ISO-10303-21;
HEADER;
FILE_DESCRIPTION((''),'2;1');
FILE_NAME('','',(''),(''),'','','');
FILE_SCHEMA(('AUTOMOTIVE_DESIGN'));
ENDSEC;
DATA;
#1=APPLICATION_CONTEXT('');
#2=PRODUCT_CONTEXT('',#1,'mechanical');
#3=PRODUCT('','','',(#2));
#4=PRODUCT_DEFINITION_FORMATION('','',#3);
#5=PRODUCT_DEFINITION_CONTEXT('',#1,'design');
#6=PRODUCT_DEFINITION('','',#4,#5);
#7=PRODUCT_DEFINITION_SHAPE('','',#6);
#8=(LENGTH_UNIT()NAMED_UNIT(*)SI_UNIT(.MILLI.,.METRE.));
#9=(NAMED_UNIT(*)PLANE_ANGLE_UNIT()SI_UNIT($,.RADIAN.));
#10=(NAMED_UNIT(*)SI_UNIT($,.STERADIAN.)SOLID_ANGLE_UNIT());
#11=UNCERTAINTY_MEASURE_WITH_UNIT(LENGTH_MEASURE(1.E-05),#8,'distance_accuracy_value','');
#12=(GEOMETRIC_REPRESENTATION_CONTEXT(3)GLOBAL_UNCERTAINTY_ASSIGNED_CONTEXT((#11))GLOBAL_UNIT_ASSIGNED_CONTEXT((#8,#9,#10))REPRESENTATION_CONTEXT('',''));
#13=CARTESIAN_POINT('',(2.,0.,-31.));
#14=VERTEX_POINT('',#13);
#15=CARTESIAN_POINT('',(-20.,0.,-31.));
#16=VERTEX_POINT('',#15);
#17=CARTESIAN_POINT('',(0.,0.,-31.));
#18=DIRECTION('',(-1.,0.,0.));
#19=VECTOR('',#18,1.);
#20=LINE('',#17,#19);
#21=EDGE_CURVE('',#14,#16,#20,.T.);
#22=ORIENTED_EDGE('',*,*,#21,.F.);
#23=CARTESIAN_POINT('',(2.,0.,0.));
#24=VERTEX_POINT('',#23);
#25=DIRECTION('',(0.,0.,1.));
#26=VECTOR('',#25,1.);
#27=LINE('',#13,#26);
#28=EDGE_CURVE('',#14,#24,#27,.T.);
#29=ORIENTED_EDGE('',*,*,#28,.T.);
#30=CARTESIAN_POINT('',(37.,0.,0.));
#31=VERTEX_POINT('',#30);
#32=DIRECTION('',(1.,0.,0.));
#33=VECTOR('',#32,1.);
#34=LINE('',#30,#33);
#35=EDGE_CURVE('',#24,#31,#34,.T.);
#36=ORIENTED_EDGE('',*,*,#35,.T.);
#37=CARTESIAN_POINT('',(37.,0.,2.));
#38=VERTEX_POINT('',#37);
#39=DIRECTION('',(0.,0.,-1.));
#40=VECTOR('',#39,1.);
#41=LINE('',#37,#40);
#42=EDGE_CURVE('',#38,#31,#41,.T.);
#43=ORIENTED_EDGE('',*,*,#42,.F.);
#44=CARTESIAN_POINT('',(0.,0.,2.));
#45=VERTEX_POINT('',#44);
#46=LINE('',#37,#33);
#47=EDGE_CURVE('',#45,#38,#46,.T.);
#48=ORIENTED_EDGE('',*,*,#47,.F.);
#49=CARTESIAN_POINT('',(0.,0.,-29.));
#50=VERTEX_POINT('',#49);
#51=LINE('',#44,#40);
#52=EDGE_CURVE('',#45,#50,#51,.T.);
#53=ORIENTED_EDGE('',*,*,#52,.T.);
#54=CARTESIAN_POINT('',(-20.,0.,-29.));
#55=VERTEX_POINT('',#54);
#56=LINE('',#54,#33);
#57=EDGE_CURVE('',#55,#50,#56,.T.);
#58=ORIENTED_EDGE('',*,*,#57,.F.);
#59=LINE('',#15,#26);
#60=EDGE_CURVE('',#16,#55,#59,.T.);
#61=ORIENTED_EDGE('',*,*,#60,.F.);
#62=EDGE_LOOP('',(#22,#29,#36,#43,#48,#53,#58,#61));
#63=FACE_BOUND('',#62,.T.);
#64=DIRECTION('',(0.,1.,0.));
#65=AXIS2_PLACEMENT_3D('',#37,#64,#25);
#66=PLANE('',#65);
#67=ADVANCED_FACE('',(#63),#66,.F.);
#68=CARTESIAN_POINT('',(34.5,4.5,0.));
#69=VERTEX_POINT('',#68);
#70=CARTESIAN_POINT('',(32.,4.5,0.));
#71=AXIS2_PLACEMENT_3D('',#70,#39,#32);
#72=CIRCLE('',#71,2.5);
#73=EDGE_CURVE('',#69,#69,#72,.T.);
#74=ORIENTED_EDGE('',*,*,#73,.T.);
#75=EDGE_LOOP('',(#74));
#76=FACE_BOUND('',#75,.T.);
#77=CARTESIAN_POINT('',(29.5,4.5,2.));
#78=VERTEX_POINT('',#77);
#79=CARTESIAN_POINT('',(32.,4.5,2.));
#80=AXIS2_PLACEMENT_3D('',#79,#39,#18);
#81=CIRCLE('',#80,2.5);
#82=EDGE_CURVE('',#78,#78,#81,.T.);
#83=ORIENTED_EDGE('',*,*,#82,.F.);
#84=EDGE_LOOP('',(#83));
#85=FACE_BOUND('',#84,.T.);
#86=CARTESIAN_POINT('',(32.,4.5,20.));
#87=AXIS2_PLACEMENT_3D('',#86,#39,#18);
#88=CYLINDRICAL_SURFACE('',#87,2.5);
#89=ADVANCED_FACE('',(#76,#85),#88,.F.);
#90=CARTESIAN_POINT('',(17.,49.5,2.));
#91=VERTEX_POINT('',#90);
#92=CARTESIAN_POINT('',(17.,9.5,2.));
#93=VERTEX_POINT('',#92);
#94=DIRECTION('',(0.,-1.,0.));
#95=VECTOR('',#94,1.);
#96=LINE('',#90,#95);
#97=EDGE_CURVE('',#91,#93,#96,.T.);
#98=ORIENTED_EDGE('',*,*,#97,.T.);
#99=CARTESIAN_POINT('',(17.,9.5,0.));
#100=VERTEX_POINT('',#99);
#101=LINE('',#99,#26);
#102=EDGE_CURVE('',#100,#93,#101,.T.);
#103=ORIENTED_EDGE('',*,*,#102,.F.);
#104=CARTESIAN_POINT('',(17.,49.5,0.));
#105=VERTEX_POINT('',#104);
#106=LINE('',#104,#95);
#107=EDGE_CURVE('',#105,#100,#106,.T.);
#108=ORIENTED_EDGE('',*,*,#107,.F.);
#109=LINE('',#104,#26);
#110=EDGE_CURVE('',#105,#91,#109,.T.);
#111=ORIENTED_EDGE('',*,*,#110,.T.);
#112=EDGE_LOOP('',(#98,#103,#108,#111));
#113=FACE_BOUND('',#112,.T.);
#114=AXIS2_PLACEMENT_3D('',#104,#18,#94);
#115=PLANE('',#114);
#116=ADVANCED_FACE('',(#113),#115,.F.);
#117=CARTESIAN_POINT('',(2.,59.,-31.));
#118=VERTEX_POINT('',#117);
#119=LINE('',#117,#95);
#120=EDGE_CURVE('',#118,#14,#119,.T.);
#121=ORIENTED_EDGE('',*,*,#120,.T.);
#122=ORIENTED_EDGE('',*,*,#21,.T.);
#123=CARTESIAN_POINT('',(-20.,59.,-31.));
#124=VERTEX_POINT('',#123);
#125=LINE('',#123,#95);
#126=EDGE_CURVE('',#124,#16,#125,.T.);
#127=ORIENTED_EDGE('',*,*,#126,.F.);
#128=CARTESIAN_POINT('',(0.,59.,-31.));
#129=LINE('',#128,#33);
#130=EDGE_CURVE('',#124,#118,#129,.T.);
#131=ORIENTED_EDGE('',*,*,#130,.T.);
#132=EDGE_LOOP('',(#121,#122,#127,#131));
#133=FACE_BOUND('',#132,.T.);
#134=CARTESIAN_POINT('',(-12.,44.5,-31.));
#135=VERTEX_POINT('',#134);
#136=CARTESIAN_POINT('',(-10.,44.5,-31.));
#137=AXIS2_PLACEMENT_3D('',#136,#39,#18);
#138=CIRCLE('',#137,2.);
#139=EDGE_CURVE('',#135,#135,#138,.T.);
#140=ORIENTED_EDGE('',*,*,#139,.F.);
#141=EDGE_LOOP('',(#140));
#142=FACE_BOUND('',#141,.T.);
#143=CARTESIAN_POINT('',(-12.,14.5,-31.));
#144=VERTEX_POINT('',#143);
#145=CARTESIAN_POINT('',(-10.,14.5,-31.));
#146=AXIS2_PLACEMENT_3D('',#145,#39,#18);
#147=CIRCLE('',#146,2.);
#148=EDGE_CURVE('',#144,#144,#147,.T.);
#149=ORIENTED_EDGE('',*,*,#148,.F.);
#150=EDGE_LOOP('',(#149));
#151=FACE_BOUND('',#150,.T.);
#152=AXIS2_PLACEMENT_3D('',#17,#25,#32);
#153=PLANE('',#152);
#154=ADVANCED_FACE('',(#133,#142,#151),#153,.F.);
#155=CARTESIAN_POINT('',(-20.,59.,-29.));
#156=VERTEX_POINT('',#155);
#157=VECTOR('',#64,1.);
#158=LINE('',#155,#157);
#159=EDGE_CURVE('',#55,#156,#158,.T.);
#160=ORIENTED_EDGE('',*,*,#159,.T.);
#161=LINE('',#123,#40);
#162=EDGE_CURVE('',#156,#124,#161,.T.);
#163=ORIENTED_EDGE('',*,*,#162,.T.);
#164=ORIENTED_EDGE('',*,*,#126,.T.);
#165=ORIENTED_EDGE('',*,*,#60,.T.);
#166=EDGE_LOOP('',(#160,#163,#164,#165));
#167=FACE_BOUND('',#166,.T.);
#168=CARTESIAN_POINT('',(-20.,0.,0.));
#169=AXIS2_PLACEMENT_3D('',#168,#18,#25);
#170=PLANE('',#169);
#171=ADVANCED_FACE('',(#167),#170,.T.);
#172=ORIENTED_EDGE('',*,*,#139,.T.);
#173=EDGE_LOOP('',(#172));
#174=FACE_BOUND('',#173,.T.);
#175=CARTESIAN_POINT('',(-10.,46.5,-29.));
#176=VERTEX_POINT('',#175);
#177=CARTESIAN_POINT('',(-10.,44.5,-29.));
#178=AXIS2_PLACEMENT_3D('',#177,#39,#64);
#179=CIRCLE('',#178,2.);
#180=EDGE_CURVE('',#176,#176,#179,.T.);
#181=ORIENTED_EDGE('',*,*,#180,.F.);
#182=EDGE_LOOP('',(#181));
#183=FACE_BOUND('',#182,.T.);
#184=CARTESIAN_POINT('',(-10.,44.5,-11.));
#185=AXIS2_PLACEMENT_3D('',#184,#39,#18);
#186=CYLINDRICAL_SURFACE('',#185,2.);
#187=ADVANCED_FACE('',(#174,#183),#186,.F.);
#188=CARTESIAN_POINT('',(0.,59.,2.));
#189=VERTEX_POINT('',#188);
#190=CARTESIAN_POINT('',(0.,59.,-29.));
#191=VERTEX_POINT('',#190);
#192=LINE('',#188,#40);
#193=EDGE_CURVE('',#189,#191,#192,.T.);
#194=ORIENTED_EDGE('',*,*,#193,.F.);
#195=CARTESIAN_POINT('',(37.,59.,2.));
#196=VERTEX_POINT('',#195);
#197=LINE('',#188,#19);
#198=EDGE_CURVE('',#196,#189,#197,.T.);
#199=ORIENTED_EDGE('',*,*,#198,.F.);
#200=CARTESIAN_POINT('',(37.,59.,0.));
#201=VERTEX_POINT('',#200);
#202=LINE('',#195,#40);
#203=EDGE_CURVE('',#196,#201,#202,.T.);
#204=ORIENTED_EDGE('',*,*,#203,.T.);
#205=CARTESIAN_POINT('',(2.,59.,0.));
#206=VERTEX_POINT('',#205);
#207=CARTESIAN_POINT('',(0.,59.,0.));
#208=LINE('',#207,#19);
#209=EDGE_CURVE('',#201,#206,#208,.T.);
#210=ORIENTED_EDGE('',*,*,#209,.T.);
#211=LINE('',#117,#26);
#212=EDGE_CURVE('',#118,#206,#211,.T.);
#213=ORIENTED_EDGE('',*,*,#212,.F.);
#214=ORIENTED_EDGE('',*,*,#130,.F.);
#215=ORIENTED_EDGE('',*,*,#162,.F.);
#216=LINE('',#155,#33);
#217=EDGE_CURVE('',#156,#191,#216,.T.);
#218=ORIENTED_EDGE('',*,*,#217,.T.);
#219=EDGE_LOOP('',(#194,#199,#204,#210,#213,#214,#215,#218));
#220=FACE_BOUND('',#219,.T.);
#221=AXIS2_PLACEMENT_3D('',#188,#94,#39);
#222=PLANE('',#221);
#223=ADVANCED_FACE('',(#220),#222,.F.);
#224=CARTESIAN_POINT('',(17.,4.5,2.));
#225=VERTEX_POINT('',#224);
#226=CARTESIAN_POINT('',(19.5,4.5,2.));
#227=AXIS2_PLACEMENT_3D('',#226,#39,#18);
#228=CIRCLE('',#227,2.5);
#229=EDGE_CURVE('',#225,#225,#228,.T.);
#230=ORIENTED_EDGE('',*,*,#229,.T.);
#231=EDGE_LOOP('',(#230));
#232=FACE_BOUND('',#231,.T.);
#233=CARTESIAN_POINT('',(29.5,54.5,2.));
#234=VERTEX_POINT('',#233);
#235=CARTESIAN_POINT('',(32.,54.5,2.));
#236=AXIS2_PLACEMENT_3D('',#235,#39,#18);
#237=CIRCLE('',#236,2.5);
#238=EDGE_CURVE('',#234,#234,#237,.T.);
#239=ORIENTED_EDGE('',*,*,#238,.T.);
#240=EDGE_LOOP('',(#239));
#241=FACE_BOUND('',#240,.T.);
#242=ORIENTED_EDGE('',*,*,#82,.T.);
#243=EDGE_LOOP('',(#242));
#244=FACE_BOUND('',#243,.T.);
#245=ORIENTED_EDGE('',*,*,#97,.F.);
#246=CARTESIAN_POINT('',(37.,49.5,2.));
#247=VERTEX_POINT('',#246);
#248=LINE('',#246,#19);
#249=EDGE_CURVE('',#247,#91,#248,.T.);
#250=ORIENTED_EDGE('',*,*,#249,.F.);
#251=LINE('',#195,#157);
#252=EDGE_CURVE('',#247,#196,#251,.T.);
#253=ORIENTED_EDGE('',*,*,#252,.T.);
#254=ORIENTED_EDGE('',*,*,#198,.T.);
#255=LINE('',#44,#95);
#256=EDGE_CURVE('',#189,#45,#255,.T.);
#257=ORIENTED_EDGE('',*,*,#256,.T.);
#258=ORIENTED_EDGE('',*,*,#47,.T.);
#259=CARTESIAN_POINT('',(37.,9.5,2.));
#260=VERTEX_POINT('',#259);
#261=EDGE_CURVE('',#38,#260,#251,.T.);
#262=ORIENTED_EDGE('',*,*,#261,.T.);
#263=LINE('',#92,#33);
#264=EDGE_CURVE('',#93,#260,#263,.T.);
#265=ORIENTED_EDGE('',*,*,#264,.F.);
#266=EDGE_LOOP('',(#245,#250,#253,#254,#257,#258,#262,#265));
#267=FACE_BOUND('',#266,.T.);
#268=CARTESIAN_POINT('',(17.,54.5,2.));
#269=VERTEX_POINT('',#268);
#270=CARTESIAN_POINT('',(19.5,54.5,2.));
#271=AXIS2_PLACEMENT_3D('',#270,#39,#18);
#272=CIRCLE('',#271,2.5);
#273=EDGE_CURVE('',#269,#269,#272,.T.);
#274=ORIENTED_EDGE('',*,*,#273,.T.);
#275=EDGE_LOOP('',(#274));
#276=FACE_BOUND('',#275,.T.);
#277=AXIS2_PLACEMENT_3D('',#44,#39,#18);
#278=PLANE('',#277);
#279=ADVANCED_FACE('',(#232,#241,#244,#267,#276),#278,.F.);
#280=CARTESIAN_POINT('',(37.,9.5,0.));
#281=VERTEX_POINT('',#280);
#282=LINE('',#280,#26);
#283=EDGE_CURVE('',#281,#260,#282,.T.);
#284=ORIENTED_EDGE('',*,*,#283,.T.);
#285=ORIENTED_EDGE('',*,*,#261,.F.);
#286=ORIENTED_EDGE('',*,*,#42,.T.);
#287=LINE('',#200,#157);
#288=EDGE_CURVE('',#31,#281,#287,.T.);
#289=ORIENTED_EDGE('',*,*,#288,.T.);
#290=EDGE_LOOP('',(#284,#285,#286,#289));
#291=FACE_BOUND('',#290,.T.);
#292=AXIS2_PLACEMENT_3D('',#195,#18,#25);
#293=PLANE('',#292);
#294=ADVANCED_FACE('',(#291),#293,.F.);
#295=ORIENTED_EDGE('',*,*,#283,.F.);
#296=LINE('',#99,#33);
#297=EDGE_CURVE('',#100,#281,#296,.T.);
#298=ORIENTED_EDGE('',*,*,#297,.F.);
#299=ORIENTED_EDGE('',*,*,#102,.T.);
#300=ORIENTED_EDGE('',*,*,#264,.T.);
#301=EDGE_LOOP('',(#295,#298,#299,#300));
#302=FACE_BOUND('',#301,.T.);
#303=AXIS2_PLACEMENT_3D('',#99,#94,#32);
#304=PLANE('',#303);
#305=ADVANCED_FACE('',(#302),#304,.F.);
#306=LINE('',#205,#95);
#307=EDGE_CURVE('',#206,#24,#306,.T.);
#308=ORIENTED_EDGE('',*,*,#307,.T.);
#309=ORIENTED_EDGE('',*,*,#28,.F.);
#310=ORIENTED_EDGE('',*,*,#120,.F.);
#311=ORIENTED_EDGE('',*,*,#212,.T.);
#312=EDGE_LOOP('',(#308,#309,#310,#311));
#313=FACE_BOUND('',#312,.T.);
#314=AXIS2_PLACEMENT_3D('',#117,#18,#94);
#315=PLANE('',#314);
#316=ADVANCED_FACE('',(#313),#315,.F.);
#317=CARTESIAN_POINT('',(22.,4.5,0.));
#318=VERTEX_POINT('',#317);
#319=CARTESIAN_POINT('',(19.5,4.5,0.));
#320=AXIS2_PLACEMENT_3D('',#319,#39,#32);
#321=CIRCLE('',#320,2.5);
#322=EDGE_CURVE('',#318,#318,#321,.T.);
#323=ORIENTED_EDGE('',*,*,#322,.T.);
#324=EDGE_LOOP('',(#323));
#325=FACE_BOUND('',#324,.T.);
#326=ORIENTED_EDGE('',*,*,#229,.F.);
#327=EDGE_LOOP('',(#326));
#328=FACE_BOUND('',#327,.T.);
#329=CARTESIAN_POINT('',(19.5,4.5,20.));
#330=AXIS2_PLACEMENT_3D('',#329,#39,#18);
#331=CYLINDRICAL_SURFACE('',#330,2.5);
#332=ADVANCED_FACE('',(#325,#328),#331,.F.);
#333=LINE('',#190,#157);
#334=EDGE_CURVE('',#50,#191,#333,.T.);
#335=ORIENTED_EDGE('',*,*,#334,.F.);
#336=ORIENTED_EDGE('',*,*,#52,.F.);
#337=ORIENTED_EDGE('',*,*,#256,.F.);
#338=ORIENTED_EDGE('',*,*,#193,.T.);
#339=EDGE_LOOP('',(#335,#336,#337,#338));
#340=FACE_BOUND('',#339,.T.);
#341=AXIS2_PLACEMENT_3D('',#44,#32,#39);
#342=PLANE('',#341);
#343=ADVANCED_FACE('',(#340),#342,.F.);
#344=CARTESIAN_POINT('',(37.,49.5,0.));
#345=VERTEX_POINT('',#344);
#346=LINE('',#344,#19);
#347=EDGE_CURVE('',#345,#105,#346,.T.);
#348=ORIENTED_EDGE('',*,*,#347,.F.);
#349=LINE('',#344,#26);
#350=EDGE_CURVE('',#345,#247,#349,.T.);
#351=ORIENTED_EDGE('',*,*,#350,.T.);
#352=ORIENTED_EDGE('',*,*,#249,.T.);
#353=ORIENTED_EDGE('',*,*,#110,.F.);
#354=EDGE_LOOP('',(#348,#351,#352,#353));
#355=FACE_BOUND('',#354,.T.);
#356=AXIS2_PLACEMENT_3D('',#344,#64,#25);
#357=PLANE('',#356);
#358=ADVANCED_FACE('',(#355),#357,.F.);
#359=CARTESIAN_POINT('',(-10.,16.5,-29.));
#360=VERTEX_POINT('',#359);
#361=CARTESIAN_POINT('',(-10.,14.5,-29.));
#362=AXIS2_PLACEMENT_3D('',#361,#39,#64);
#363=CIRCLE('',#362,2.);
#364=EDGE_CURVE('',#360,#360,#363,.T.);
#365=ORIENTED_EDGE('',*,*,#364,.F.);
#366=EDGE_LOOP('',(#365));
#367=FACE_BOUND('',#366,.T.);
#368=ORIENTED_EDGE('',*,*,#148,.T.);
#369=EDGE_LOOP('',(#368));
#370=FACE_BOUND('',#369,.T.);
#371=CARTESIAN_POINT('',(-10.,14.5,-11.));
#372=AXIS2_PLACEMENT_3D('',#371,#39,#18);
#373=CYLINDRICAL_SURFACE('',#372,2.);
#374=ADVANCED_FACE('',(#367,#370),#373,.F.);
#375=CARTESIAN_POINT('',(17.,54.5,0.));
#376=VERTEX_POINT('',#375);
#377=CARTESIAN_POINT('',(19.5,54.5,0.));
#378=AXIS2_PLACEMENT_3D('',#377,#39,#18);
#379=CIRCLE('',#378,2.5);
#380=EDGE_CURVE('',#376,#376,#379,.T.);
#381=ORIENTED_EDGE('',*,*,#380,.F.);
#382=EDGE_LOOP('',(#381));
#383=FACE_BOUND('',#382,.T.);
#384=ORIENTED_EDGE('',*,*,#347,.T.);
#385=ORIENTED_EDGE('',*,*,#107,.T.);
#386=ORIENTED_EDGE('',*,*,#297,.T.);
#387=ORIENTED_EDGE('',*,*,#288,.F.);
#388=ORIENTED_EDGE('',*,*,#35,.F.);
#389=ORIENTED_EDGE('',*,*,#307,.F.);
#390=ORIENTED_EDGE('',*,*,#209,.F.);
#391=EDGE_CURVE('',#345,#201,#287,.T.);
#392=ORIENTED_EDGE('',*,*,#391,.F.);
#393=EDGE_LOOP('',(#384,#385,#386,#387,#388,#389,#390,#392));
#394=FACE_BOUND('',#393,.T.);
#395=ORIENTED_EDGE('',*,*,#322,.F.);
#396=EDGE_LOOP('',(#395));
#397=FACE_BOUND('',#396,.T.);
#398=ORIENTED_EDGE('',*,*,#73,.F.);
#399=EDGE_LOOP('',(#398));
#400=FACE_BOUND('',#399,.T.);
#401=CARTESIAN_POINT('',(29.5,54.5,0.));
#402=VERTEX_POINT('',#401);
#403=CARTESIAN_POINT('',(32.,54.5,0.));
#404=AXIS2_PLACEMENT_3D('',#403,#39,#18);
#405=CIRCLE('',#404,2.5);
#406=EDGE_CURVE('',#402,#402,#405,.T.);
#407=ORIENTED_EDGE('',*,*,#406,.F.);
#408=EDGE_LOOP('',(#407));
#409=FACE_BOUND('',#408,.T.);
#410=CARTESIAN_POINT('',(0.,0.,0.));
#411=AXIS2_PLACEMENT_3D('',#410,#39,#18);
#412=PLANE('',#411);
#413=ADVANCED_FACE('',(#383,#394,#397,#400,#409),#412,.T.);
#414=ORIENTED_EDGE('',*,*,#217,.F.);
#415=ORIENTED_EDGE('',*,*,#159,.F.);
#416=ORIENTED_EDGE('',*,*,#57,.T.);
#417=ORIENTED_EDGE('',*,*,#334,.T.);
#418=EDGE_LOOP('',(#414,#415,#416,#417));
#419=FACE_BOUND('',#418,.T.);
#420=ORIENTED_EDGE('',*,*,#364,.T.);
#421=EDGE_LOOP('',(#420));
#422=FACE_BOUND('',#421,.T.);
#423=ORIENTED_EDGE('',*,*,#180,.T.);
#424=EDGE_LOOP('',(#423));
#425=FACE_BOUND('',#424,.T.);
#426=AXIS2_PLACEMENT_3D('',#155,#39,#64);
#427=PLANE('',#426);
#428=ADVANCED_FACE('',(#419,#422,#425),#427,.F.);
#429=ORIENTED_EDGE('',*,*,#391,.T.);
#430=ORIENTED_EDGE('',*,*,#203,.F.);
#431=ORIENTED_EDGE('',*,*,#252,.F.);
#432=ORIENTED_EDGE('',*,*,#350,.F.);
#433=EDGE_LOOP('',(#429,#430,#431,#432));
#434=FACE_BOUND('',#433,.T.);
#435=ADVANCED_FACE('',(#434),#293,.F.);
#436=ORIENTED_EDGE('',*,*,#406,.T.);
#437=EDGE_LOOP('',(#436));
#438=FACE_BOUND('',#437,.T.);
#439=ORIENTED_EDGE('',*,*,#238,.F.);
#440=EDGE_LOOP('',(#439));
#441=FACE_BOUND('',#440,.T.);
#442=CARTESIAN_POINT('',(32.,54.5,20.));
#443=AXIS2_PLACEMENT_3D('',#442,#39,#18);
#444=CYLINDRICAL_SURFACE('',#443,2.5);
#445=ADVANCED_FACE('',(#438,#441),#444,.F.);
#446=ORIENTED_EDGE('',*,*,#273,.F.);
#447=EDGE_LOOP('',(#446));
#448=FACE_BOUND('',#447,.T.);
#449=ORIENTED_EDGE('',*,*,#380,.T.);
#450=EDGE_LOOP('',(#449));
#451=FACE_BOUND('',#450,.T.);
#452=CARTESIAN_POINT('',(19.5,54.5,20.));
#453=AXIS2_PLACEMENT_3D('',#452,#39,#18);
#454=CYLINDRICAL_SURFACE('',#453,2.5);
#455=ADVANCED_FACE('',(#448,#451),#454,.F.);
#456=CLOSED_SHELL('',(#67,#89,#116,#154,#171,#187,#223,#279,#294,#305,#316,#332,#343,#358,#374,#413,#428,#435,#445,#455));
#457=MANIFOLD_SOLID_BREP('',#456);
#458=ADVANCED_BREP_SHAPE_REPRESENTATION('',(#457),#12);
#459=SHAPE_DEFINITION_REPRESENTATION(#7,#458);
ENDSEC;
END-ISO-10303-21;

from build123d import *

# Parameters (mm, degrees)
SKETCH_1_W          = 37
SKETCH_1_H          = 59
EXTRUDE_1_DEPTH     = 2
SKETCH_2_W          = 20
SKETCH_2_H          = 40
CUT_EXTRUDE_1_DEPTH = 2
SKETCH_3_W          = 2
SKETCH_3_H          = 59
EXTRUDE_2_DEPTH     = 31
SKETCH_4_W          = 2
SKETCH_4_H          = 59
EXTRUDE_3_DEPTH     = 20
SKETCH_5_R          = 2
CUT_EXTRUDE_2_DEPTH = 20
SKETCH_6_R          = 2.5
CUT_EXTRUDE_3_DEPTH = 20


with BuildPart() as part:
    # 草图1 → 凸台-拉伸1 (new body)
    with BuildSketch(Plane.XY):
        with Locations((18.5, 29.5)):
            Rectangle(SKETCH_1_W, SKETCH_1_H)
    extrude(amount=EXTRUDE_1_DEPTH)

    # 草图2 → 切除-拉伸1 (cut)
    with BuildSketch(Plane.XY.offset(2)):
        with Locations((27, 29.5)):
            Rectangle(SKETCH_2_W, SKETCH_2_H)
    extrude(amount=-CUT_EXTRUDE_1_DEPTH, mode=Mode.SUBTRACT)

    # 草图3 → 凸台-拉伸2 (add)
    with BuildSketch(Plane(origin=(0, 0, 0), x_dir=(-1, 0, 0), z_dir=(0, 0, -1))):
        with Locations((-1, 29.5)):
            Rectangle(SKETCH_3_W, SKETCH_3_H)
    extrude(amount=EXTRUDE_2_DEPTH)

    # 草图4 → 凸台-拉伸3 (add)
    with BuildSketch(Plane.ZY):
        with Locations((-30, 29.5)):
            Rectangle(SKETCH_4_W, SKETCH_4_H)
    extrude(amount=EXTRUDE_3_DEPTH)

    # 草图5 → 切除-拉伸2 (cut)
    with BuildSketch(Plane(origin=(0, 0, -31), x_dir=(-1, 0, 0), z_dir=(0, 0, -1))):
        with Locations((10, 44.5)):
            Circle(SKETCH_5_R)
        with Locations((10, 14.5)):
            Circle(SKETCH_5_R)
    extrude(amount=-CUT_EXTRUDE_2_DEPTH, mode=Mode.SUBTRACT)

    # 草图6 → 切除-拉伸3 (cut)
    with BuildSketch(Plane(origin=(0, 0, 0), x_dir=(-1, 0, 0), z_dir=(0, 0, -1))):
        with Locations((-32, 54.5)):
            Circle(SKETCH_6_R)
        with Locations((-19.5, 54.5)):
            Circle(SKETCH_6_R)
        with Locations((-19.5, 4.5)):
            Circle(SKETCH_6_R)
        with Locations((-32, 4.5)):
            Circle(SKETCH_6_R)
    extrude(amount=-CUT_EXTRUDE_3_DEPTH, mode=Mode.SUBTRACT)


solid = part.part
